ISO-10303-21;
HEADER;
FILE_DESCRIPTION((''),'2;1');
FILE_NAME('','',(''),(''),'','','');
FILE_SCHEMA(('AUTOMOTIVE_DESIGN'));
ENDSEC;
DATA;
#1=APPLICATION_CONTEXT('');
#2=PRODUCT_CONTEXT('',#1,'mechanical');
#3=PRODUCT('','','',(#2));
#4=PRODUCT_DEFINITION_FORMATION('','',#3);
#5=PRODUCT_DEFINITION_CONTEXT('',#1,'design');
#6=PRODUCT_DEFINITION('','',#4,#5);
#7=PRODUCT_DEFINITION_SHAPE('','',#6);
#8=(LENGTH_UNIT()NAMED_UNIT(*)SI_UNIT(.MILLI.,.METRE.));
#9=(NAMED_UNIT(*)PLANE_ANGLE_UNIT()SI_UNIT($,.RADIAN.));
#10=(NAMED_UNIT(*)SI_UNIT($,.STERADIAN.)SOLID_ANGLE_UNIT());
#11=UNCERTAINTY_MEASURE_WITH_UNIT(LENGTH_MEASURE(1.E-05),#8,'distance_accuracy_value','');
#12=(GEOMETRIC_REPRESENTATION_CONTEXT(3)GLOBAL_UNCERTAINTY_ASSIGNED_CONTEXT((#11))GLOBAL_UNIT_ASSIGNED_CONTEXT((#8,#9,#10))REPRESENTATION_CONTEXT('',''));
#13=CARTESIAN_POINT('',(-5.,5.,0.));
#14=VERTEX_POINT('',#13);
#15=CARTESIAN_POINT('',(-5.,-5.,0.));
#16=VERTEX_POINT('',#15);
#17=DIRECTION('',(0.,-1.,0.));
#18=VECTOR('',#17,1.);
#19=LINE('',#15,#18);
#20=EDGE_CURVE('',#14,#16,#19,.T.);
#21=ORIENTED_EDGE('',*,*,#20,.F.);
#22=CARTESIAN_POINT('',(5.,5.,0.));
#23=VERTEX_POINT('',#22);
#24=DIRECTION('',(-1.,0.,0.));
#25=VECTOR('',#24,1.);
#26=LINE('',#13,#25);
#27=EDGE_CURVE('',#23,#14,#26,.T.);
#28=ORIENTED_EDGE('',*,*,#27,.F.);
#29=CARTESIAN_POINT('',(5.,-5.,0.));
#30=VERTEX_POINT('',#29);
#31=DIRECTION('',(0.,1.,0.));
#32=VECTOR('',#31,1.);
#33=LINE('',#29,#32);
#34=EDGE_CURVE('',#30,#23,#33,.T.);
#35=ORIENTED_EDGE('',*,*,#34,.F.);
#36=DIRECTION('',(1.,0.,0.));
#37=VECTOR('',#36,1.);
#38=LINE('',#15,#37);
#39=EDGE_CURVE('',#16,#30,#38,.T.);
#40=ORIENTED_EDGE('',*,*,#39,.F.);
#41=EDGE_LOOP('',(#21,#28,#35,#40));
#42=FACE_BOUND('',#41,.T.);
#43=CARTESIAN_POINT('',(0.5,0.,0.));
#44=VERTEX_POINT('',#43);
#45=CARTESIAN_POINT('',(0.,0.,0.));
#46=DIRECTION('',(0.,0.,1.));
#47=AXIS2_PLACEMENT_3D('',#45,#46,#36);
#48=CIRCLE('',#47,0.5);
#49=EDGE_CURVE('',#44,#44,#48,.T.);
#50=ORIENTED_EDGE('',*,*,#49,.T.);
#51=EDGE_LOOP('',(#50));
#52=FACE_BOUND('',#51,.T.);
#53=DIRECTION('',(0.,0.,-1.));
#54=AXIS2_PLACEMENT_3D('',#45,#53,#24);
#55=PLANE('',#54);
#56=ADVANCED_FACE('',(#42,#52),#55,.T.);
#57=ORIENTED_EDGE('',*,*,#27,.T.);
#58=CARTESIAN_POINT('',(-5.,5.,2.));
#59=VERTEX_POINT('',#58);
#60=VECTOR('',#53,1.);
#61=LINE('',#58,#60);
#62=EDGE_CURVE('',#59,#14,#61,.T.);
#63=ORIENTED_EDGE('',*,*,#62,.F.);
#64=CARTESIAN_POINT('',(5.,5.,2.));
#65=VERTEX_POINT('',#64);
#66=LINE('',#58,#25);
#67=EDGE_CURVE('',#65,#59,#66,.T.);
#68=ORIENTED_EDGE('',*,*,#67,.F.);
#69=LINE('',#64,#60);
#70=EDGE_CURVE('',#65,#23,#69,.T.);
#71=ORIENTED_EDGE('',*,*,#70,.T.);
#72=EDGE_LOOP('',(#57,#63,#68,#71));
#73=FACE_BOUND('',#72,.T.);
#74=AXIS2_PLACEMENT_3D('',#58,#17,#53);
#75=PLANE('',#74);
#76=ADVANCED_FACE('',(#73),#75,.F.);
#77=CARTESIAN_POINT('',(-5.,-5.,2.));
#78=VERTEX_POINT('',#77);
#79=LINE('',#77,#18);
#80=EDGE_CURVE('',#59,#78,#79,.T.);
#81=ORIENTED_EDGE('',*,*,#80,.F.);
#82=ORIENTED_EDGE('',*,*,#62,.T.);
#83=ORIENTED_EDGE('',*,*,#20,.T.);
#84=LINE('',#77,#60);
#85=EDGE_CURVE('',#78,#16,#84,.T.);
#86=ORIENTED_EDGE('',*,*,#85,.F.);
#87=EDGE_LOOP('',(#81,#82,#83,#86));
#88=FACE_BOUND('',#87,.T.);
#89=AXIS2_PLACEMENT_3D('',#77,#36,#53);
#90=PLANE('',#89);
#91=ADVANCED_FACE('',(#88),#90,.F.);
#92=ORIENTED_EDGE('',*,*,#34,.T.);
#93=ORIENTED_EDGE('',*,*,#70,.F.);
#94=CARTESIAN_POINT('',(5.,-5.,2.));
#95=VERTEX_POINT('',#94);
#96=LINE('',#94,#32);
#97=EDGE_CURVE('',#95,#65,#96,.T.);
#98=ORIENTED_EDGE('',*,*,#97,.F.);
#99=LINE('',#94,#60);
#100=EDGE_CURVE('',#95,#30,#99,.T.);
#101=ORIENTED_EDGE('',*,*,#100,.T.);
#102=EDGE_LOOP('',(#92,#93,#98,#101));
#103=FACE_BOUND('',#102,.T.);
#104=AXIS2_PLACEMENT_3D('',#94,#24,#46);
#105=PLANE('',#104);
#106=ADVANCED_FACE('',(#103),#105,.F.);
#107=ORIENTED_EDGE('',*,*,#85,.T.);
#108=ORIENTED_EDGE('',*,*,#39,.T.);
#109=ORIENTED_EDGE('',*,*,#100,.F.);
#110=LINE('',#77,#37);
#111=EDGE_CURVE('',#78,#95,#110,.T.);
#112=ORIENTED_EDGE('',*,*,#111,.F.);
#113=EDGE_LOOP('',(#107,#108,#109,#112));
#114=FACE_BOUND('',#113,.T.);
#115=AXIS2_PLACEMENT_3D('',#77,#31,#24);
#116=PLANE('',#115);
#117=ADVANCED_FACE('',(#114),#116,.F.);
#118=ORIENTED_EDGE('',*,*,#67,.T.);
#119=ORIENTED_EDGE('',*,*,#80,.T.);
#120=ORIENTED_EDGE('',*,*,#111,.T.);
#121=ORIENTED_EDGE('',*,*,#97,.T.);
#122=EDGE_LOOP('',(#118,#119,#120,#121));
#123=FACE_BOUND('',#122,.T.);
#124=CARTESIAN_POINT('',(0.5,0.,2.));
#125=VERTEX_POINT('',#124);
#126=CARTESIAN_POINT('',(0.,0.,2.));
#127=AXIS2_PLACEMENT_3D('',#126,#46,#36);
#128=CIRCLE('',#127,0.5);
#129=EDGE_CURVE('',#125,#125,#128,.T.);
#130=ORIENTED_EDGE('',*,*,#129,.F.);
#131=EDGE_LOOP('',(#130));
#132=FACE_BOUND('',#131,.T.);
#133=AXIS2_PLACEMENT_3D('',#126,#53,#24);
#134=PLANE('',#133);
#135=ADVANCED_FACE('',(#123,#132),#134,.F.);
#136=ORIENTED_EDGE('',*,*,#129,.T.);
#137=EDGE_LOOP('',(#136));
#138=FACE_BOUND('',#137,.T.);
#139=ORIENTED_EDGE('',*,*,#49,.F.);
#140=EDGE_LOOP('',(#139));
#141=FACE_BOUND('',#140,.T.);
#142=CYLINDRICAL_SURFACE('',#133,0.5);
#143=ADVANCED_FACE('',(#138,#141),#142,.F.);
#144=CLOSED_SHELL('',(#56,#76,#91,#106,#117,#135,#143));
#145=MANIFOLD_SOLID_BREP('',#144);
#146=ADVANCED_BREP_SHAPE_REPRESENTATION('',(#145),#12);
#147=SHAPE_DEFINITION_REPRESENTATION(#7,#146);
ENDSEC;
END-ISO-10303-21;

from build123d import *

# Parameters (mm, degrees)
SKETCH_2_W      = 10
SKETCH_2_H      = 10
SKETCH_2_R      = 0.5
EXTRUDE_1_DEPTH = 2


with BuildPart() as part:
    # ｽｹｯﾁ2 → ﾎﾞｽ - 押し出し1 (new body)
    with BuildSketch(Plane.XY):
        Rectangle(SKETCH_2_W, SKETCH_2_H)
        Circle(SKETCH_2_R, mode=Mode.SUBTRACT)
    extrude(amount=EXTRUDE_1_DEPTH)


solid = part.part
